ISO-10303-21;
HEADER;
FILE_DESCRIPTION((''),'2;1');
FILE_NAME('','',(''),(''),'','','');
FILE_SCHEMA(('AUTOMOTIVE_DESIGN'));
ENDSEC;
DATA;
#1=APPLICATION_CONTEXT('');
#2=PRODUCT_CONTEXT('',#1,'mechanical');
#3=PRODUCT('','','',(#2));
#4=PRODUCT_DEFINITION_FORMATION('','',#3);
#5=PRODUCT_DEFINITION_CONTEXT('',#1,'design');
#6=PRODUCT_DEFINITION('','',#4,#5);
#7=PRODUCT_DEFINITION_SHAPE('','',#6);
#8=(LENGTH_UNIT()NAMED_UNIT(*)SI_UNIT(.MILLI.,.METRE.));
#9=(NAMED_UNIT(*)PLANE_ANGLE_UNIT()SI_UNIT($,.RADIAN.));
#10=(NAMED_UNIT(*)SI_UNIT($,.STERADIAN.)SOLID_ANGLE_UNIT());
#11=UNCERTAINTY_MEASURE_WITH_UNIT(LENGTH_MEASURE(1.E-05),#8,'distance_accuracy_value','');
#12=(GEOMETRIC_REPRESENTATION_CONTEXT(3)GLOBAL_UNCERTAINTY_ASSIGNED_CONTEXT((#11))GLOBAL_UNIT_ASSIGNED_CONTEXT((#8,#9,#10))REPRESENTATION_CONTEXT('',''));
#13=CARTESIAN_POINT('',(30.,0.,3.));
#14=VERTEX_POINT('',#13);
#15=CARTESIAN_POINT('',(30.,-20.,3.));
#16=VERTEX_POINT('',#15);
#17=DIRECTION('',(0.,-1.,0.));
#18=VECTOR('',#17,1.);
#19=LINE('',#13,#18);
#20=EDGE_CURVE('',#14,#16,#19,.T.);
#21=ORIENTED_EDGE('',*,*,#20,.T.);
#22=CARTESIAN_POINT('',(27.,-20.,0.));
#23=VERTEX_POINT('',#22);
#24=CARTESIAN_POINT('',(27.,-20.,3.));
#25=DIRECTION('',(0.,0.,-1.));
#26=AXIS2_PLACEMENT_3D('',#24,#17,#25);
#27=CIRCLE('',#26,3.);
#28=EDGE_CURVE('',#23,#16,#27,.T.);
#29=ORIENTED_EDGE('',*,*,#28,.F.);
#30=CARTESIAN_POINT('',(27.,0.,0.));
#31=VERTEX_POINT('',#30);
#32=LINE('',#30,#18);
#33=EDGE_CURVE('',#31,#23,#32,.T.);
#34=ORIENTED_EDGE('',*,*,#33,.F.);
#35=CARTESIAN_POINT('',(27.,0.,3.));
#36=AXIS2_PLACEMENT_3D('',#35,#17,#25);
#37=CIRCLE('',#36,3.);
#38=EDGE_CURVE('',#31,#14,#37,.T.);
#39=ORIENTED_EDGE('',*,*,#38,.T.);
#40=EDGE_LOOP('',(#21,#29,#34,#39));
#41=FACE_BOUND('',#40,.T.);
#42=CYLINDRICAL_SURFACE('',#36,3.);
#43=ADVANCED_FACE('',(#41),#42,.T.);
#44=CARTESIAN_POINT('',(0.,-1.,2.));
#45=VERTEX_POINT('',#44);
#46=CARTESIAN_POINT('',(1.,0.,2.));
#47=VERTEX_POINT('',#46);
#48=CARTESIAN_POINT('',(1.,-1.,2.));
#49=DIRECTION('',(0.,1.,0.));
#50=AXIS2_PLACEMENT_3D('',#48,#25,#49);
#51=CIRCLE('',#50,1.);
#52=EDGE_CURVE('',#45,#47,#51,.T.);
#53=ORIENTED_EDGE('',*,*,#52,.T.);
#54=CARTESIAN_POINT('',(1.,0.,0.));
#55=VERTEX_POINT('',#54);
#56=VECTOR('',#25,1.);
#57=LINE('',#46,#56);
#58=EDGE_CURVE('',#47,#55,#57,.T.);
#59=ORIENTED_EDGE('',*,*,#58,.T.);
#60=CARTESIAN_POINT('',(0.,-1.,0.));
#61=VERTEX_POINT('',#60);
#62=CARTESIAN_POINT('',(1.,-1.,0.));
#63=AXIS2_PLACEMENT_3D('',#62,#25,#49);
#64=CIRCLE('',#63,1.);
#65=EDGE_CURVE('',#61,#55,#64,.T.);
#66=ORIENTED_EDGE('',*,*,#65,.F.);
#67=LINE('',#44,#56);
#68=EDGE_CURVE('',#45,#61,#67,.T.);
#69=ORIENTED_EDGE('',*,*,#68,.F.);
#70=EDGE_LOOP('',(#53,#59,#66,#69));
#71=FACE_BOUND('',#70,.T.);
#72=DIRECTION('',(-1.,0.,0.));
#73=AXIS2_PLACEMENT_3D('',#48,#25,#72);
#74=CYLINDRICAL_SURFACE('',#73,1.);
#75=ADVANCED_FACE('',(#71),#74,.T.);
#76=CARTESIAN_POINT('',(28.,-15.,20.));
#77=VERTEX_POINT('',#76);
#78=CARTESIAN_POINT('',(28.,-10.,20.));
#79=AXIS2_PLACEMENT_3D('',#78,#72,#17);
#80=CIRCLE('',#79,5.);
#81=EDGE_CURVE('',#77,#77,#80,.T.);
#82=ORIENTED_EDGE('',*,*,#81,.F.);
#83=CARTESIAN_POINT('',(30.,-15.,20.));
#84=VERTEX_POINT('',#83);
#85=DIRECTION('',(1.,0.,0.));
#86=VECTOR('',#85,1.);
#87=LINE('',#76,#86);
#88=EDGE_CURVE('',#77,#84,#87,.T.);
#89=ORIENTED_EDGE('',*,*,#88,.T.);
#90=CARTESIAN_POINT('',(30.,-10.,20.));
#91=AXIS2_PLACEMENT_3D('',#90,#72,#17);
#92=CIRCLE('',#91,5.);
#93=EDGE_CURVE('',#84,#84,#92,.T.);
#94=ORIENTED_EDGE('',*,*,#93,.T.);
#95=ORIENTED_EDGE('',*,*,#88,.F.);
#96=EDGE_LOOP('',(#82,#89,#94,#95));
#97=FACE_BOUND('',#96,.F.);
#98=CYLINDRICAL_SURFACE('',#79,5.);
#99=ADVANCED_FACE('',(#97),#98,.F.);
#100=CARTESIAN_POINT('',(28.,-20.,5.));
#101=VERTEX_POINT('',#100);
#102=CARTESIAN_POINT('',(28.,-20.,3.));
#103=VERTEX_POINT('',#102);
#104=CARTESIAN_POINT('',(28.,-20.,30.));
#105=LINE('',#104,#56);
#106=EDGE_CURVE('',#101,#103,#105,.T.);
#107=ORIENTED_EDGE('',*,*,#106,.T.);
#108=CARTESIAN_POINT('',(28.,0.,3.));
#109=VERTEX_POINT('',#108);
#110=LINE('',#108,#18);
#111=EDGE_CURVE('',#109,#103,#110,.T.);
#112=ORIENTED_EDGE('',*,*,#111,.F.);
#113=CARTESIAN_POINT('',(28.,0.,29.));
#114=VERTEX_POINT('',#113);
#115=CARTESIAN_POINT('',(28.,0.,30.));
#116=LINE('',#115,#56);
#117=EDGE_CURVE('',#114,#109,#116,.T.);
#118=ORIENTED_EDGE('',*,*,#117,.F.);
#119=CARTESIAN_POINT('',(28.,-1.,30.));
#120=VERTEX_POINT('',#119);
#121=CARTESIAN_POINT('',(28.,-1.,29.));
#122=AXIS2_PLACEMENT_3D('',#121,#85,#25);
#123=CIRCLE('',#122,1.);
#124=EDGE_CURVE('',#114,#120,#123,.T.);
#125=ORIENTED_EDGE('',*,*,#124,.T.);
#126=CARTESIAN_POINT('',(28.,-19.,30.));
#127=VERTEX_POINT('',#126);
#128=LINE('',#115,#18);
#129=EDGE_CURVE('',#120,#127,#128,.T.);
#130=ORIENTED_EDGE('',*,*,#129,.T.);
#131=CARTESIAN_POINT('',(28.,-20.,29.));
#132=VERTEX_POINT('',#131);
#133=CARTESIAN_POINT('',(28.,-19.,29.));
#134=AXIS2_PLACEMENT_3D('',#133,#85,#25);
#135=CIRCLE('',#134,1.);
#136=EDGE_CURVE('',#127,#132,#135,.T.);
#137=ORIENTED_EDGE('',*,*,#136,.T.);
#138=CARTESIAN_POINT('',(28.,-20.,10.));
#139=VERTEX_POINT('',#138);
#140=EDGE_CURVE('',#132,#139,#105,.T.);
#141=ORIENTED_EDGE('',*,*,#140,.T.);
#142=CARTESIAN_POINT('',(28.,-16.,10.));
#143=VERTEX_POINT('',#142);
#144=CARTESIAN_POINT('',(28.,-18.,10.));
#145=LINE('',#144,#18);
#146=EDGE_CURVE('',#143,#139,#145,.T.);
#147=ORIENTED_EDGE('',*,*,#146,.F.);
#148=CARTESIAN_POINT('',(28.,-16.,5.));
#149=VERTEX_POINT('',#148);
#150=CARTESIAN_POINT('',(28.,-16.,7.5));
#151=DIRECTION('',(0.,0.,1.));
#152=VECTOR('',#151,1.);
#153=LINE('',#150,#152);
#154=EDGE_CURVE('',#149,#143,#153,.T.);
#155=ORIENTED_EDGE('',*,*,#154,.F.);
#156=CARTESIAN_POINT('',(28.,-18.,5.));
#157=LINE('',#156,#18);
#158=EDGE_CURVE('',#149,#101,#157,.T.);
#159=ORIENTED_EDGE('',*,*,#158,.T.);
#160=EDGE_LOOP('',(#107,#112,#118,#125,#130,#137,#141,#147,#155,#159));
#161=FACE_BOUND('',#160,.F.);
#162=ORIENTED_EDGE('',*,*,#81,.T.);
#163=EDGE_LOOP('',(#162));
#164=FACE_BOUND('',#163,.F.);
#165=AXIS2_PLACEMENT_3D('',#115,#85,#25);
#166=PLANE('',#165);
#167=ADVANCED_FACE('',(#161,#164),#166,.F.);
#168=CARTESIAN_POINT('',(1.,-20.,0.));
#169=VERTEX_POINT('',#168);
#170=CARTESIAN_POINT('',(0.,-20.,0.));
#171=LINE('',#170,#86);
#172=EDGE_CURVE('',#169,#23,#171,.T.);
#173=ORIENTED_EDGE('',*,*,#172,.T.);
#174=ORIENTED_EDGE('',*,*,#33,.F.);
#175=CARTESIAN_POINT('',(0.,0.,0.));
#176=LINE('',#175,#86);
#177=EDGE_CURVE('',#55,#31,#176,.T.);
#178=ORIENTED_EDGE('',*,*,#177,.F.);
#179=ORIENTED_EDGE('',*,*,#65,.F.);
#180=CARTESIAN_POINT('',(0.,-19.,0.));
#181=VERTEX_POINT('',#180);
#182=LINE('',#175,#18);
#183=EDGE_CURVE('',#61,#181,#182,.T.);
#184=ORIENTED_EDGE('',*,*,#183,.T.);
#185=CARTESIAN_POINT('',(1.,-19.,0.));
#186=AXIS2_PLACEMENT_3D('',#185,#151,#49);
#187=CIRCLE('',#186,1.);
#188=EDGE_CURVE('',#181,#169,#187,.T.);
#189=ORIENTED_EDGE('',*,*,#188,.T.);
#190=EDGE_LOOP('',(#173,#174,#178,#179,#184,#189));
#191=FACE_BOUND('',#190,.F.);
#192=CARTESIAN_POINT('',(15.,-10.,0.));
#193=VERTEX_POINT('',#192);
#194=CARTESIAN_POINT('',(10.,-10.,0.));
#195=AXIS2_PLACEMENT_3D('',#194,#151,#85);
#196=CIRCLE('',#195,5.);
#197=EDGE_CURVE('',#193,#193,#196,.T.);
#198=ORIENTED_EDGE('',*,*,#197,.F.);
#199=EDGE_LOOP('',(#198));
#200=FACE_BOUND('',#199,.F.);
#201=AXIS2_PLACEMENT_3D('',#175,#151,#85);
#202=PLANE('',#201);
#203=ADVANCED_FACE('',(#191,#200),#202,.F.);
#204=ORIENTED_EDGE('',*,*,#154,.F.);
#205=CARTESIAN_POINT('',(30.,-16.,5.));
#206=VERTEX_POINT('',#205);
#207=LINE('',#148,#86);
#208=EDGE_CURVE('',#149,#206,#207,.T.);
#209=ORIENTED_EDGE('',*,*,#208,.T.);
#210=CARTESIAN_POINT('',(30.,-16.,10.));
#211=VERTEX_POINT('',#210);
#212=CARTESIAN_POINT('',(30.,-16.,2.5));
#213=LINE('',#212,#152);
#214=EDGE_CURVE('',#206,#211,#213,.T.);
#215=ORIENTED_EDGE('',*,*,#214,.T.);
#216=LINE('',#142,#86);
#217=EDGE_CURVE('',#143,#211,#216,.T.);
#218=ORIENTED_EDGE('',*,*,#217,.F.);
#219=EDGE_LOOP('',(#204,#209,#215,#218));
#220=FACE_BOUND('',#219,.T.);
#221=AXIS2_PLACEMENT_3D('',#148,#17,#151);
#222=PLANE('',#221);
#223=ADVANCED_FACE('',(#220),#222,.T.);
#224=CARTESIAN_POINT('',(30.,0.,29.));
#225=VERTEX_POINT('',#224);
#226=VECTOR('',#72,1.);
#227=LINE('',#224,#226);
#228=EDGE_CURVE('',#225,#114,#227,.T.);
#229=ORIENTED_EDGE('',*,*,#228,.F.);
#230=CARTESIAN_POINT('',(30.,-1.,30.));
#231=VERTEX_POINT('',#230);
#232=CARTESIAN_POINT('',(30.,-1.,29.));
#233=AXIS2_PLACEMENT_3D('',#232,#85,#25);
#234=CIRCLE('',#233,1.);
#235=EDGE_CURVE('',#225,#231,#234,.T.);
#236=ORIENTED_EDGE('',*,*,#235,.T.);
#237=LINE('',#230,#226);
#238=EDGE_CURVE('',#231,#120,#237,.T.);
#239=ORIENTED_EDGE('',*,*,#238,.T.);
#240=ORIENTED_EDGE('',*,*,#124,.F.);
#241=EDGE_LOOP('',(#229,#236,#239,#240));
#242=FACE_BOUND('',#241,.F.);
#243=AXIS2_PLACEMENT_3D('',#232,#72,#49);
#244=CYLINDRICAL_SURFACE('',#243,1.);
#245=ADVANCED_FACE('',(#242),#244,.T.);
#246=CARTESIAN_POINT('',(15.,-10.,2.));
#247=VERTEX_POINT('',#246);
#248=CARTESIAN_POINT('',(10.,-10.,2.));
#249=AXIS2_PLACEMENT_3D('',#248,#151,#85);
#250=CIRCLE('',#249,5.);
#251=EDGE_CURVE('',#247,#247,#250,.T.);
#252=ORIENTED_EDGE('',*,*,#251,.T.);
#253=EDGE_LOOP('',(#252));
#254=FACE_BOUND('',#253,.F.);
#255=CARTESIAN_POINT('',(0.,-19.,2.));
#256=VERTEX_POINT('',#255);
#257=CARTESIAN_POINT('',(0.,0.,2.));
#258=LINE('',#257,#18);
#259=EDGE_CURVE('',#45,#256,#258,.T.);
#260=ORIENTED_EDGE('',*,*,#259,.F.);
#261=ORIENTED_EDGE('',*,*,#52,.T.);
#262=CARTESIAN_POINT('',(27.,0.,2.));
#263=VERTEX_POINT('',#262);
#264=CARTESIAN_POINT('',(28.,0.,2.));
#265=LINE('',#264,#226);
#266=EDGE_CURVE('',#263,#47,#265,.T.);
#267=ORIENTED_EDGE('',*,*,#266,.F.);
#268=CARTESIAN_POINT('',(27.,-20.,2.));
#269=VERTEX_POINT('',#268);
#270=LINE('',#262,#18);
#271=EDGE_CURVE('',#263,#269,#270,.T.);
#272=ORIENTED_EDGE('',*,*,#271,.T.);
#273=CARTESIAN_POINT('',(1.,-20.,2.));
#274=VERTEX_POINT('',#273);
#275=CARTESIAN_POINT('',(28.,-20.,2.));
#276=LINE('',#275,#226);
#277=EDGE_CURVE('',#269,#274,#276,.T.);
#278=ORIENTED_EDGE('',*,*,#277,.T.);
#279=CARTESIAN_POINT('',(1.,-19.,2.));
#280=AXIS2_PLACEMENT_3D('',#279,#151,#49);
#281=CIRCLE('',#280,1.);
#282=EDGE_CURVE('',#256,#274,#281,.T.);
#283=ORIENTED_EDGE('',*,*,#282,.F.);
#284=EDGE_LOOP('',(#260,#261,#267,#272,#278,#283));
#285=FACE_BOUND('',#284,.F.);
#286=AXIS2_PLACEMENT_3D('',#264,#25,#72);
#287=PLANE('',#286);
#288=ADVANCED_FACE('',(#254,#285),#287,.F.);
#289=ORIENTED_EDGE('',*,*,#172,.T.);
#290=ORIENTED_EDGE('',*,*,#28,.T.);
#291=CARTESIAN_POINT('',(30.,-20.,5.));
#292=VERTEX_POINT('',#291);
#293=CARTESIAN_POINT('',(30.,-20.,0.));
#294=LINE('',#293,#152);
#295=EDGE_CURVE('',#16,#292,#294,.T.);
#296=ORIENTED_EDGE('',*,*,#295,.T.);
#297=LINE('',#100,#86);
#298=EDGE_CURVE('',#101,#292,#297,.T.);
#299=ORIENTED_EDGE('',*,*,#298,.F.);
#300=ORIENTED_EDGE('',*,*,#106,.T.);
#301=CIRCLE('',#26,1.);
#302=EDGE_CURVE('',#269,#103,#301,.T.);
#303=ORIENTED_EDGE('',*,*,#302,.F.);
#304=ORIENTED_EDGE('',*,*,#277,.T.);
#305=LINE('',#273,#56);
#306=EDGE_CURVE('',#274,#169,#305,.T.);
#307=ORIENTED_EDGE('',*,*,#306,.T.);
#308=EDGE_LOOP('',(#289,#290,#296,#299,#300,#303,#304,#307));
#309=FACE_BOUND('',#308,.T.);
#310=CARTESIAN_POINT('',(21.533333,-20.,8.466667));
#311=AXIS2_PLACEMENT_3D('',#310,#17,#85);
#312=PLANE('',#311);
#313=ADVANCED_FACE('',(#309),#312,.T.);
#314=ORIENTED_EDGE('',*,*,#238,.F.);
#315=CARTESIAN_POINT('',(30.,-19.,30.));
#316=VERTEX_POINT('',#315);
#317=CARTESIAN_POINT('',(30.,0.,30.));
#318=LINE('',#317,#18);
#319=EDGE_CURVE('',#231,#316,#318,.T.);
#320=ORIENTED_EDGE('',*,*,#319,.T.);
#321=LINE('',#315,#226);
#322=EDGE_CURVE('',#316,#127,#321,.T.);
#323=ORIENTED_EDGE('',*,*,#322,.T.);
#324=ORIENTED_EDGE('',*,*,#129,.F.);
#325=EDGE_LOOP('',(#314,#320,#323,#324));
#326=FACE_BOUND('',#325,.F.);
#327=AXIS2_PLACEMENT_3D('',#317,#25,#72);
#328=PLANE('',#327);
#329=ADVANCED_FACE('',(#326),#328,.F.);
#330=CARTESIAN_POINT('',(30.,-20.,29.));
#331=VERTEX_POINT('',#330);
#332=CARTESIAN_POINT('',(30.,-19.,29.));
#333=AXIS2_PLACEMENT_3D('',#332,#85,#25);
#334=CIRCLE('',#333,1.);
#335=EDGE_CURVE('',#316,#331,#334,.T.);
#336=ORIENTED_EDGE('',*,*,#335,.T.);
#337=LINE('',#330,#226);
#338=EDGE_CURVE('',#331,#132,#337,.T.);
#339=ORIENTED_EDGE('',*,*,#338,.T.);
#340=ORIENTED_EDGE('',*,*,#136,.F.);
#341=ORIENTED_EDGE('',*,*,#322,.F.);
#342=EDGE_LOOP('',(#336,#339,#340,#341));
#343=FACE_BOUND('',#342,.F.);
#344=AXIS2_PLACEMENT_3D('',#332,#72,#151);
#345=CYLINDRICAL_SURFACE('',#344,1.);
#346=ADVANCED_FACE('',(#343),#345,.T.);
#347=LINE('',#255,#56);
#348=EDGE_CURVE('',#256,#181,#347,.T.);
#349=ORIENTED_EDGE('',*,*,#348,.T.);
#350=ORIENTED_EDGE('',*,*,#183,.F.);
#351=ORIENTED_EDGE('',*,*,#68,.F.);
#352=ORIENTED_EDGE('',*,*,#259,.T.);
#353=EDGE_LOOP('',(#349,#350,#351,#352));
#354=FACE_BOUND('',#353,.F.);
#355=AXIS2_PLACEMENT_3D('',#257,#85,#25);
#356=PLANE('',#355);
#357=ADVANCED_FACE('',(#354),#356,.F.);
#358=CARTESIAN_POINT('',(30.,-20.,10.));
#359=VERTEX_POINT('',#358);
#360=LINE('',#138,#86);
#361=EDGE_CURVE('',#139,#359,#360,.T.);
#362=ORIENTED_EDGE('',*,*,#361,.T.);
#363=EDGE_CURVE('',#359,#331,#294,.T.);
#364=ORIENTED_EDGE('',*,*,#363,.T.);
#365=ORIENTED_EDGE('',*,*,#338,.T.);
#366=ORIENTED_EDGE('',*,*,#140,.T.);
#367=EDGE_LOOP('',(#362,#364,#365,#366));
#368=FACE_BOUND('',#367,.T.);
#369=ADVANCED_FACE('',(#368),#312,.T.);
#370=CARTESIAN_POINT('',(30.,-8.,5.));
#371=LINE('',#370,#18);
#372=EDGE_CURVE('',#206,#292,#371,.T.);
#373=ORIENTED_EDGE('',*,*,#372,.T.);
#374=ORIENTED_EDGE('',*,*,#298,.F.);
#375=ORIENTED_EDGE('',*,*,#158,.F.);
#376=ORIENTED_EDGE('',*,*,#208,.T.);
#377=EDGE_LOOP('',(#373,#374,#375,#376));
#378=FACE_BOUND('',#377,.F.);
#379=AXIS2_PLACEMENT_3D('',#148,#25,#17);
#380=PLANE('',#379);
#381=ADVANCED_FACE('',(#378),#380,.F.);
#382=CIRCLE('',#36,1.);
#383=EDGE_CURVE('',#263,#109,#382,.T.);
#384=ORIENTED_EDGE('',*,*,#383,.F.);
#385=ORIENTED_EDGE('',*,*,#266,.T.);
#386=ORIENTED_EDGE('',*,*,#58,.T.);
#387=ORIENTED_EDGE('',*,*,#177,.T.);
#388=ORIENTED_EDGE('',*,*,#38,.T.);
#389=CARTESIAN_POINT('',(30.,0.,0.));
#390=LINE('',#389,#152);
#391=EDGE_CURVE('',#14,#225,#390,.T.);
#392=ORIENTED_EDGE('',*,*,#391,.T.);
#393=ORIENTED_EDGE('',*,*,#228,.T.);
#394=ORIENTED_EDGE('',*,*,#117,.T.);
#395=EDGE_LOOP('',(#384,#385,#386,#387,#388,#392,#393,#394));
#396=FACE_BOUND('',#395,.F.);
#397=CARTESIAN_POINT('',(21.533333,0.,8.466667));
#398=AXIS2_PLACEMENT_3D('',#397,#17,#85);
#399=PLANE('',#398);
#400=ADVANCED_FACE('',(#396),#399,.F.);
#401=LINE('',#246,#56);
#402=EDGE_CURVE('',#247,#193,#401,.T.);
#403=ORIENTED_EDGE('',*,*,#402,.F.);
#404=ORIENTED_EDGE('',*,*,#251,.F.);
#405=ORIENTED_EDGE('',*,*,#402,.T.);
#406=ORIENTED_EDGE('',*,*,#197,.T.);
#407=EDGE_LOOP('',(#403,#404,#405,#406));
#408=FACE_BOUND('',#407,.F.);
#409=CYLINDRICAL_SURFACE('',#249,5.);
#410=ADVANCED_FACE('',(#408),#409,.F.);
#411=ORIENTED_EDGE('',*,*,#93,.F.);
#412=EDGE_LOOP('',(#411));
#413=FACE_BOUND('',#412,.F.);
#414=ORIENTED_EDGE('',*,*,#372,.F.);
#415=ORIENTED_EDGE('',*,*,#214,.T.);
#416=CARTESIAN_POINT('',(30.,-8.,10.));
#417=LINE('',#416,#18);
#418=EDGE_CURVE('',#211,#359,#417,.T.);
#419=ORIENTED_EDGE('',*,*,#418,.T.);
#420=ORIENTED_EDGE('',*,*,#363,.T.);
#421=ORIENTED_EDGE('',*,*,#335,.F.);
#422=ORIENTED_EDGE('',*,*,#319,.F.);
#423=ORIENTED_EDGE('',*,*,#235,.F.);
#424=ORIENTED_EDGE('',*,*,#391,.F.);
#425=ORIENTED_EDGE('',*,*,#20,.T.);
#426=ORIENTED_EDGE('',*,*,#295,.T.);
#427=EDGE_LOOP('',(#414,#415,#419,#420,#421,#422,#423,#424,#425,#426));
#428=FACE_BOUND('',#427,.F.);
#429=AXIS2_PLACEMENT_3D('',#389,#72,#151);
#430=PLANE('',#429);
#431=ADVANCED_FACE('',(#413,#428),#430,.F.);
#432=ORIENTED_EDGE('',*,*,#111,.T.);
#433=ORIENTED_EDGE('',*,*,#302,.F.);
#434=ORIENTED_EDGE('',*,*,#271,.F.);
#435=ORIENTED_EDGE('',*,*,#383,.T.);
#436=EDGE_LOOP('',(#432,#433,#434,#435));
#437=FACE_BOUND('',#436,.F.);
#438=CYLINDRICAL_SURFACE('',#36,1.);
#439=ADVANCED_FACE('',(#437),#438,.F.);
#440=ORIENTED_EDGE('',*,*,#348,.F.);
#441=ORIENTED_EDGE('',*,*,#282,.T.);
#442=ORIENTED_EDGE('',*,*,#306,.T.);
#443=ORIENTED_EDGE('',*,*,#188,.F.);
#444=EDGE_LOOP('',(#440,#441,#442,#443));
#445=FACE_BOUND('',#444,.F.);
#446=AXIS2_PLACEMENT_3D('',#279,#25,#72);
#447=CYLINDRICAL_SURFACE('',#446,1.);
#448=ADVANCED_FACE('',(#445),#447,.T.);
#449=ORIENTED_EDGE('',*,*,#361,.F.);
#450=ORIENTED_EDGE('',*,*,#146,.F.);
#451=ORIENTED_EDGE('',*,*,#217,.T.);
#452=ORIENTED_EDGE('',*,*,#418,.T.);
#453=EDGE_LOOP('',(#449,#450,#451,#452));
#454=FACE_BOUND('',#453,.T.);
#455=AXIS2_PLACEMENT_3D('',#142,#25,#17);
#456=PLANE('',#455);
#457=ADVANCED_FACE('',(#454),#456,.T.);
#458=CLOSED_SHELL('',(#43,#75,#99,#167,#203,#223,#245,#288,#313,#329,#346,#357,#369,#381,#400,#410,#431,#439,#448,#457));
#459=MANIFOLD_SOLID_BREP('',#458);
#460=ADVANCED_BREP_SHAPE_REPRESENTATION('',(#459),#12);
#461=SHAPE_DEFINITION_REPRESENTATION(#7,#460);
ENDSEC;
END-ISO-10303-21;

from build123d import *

# Parameters (mm, degrees)
F1_DEPTH = 20
F2_R     = 5
F3_DEPTH = 2.001
F4_R     = 5
F5_DEPTH = 2.001
F6_W     = 4
F6_H     = 5
F7_DEPTH = 2.001
F8_R     = 1
F9_R     = 1
F10_R    = 3


with BuildPart() as f1:
    # F0 (on Front) → F1 (new body)
    with BuildSketch(Plane.XZ):
        Polygon((0, 2), (0, 0), (30, 0), (30, 30), (28, 30), (28, 2), align=None)
    extrude(amount=F1_DEPTH)

    # F2 (on face) → F3 (cut, through all)
    with BuildSketch(Plane.XY.offset(2)):
        with Locations((10, -10)):
            Circle(F2_R)
    extrude(amount=-F3_DEPTH, mode=Mode.SUBTRACT)

    # F4 (on face) → F5 (cut, through all)
    with BuildSketch(Plane(origin=(28, 0, 0), x_dir=(0, -1, 0), z_dir=(-1, 0, 0))):
        with Locations((10, 20)):
            Circle(F4_R)
    extrude(amount=-F5_DEPTH, mode=Mode.SUBTRACT)

    # F6 (on face) → F7 (cut, through all)
    with BuildSketch(Plane(origin=(28, 0, 0), x_dir=(0, -1, 0), z_dir=(-1, 0, 0))):
        with Locations((18, 7.5)):
            Rectangle(F6_W, F6_H)
    extrude(amount=-F7_DEPTH, mode=Mode.SUBTRACT)

    # F8
    f8_edges = [f1.edges().sort_by_distance(p)[0] for p in [
        (29, 0, 30),
        (29, -20, 30),
        (0, -20, 1),
        (0, 0, 1),
    ]]
    fillet(f8_edges, radius=F8_R)

    # F9
    f9_edges = [f1.edges().sort_by_distance(p)[0] for p in [
        (28, -10, 2),
    ]]
    fillet(f9_edges, radius=F9_R)

    # F10
    f10_edges = [f1.edges().sort_by_distance(p)[0] for p in [
        (30, -10, 0),
    ]]
    fillet(f10_edges, radius=F10_R)


solid = f1.part
